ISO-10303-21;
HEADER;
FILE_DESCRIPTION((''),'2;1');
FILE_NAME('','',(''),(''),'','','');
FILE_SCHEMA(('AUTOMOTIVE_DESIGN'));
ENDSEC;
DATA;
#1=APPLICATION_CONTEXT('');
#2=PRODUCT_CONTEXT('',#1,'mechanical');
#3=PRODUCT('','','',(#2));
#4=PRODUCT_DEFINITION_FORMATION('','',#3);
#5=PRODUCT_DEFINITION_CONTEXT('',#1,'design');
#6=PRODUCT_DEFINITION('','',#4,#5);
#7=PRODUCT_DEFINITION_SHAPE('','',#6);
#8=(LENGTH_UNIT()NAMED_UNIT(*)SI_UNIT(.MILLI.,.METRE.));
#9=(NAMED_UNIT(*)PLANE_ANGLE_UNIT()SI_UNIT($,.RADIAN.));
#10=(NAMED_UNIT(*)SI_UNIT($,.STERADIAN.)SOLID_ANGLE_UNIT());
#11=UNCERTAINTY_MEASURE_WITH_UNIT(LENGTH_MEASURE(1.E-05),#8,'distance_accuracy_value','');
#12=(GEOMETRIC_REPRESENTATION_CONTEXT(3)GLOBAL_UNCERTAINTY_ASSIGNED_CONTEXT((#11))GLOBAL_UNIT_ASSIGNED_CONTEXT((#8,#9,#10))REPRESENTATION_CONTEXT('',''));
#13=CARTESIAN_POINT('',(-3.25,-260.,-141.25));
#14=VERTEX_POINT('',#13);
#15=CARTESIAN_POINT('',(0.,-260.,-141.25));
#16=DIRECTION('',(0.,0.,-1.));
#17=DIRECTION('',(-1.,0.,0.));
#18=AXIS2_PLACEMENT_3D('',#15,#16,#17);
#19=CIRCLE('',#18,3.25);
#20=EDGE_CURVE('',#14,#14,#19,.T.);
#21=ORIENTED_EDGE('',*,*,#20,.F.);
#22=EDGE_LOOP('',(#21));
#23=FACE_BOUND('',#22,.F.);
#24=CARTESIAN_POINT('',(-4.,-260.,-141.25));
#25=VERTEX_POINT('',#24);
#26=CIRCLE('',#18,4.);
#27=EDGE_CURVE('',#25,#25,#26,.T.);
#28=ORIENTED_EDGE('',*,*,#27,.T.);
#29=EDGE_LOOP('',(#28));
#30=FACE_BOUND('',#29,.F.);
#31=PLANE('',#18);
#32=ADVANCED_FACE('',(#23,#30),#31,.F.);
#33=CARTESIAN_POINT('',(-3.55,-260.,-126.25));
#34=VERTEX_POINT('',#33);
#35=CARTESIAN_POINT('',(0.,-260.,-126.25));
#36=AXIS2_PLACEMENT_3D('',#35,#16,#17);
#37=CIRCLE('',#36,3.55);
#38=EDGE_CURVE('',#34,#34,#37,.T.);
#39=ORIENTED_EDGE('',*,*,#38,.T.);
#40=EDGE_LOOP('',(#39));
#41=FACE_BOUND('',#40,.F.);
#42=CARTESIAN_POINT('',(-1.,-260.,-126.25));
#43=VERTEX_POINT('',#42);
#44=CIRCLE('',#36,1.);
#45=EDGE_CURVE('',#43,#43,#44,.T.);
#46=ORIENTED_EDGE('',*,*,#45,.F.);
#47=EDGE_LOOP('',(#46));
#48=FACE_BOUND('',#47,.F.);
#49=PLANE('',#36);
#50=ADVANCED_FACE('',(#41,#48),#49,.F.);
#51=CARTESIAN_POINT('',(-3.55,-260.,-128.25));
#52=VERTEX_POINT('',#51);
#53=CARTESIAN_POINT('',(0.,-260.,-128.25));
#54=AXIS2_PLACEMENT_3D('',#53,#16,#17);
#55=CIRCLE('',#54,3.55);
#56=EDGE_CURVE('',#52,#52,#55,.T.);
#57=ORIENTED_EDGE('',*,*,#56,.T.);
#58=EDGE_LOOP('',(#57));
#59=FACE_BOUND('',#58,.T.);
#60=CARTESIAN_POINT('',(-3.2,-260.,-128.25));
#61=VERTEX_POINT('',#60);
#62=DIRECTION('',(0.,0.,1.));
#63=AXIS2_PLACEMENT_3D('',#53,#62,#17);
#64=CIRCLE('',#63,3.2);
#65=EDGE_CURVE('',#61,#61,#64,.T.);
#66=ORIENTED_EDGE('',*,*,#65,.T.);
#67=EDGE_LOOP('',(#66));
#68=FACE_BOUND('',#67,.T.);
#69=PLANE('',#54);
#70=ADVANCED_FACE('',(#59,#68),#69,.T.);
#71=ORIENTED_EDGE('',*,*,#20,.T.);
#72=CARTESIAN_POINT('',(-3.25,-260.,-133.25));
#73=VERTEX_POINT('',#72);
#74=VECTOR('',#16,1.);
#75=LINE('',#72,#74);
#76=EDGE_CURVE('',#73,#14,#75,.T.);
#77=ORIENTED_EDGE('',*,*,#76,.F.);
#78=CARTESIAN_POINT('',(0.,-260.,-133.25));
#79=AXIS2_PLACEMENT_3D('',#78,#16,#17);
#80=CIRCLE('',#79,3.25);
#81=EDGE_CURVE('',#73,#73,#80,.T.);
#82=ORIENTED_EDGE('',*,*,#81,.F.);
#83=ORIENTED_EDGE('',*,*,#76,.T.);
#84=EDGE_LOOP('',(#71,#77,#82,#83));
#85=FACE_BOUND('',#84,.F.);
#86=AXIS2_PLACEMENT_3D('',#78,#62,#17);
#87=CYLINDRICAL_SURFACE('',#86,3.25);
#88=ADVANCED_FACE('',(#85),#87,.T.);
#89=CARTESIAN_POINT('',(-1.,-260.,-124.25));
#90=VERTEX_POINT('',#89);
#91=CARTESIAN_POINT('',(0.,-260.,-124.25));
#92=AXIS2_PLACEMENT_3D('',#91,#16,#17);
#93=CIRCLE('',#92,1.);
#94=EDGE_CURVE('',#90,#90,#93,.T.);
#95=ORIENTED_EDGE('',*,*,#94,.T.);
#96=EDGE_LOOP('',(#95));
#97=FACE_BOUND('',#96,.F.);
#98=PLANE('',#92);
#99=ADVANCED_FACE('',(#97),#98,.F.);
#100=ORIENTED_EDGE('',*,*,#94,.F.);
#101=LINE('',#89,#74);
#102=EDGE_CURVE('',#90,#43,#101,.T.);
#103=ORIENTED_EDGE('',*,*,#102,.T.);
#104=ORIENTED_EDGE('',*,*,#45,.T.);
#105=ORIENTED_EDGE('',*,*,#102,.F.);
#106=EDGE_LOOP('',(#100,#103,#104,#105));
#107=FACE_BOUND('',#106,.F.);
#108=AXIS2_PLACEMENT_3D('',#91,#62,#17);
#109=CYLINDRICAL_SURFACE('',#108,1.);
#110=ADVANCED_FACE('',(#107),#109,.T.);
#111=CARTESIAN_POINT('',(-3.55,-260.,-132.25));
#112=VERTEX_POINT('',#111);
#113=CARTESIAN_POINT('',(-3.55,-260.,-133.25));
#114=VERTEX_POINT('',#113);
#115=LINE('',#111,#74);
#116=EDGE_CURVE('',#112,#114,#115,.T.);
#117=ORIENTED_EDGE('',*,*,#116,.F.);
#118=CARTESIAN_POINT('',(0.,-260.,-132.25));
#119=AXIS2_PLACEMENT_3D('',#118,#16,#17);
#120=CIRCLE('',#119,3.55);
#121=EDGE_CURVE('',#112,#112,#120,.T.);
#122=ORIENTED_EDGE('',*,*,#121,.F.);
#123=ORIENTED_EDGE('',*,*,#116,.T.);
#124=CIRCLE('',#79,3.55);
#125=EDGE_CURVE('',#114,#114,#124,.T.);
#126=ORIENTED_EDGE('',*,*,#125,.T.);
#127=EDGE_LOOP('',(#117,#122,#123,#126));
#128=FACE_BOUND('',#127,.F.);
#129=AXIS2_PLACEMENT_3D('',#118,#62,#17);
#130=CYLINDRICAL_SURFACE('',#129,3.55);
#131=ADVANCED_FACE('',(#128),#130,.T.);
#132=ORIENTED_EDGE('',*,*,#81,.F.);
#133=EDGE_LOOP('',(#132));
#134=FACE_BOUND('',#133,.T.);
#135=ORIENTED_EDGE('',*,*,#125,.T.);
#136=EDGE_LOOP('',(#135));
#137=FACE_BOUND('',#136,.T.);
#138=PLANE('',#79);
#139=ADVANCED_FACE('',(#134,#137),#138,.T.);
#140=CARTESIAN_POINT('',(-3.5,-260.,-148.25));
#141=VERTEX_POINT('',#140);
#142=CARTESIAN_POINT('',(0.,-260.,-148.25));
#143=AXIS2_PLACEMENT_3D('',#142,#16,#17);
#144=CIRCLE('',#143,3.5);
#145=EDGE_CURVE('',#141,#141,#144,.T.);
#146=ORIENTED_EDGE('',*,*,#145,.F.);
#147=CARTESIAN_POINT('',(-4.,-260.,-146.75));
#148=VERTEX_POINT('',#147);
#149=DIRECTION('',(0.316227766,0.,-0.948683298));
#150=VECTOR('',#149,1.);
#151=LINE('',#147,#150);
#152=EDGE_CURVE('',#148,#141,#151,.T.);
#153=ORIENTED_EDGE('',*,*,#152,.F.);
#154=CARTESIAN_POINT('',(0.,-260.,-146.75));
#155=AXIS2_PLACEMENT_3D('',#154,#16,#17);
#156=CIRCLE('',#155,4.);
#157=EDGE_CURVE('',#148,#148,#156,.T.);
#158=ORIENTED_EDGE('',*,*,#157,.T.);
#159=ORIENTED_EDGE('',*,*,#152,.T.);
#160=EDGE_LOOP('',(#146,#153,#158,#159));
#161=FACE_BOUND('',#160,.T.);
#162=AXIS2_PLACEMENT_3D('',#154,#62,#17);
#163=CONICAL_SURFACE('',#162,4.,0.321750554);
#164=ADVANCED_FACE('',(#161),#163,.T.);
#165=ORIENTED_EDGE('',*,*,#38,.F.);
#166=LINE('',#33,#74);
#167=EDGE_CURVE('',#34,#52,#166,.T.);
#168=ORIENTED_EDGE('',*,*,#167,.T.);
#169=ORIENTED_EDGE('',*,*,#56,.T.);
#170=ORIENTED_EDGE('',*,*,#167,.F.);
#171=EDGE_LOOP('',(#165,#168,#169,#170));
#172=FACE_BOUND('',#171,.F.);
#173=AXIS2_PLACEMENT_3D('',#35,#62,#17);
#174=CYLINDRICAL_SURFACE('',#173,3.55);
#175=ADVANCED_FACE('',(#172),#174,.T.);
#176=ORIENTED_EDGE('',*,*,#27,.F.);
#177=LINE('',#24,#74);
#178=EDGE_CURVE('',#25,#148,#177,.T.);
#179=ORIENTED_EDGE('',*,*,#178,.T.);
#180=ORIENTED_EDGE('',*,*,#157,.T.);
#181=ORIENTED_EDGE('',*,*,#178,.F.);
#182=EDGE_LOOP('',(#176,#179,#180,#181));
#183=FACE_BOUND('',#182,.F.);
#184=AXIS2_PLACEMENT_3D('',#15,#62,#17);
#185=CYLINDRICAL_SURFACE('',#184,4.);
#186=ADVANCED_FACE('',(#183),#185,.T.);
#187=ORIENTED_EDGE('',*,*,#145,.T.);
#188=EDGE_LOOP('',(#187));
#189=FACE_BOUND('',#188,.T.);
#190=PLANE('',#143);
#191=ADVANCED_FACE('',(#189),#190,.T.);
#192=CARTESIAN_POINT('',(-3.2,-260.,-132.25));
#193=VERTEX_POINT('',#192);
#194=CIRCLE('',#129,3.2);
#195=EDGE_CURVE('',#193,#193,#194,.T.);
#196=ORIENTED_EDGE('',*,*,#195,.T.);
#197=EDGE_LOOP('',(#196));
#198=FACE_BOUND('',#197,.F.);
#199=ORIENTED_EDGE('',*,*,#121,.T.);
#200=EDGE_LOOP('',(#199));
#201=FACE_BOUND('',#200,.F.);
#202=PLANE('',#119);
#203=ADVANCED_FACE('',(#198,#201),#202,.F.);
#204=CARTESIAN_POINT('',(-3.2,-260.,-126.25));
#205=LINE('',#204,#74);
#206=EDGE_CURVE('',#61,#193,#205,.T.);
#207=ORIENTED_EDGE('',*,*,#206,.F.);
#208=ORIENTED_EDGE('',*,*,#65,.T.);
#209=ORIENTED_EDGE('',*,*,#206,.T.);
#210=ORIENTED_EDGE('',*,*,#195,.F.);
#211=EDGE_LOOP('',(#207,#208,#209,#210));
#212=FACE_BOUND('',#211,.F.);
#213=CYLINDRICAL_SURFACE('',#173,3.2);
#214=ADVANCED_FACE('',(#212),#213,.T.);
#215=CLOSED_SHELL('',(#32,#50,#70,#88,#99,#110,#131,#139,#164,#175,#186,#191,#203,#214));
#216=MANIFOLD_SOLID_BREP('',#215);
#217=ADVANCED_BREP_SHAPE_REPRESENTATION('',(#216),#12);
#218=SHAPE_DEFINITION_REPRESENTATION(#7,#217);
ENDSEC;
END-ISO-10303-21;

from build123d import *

# Parameters (mm, degrees)
CYLINDER189_R             = 3.2
CYLINDER189_DEPTH         = 22
CYLINDER190_R             = 3.55
CYLINDER190_DEPTH         = 2
CYLINDER191_R             = 3.55
CYLINDER191_DEPTH         = 1
CYLINDER192_R             = 3.25
CYLINDER192_DEPTH         = 8
CYLINDER193_R             = 4
CYLINDER193_DEPTH         = 5.5
CYLINDER194_R             = 1
CYLINDER194_DEPTH         = 2
FUSION127_PLACEMENT_ANGLE = 180


with BuildPart() as cylinder189:
    # Cylinder189 → Cylinder189 (new body)
    with BuildSketch(Plane.XY.offset(5)):
        Circle(CYLINDER189_R)
    extrude(amount=CYLINDER189_DEPTH)


with BuildPart() as cylinder190:
    # Cylinder190 → Cylinder190 (new body)
    with BuildSketch(Plane.XY.offset(5)):
        Circle(CYLINDER190_R)
    extrude(amount=CYLINDER190_DEPTH)


with BuildPart() as cylinder191:
    # Cylinder191 → Cylinder191 (new body)
    with BuildSketch(Plane.XY.offset(11)):
        Circle(CYLINDER191_R)
    extrude(amount=CYLINDER191_DEPTH)


with BuildPart() as cylinder192:
    # Cylinder192 → Cylinder192 (new body)
    with BuildSketch(Plane.XY.offset(12)):
        Circle(CYLINDER192_R)
    extrude(amount=CYLINDER192_DEPTH)


with BuildPart() as cylinder193:
    # Cylinder193 → Cylinder193 (new body)
    with BuildSketch(Plane.XY.offset(20)):
        Circle(CYLINDER193_R)
    extrude(amount=CYLINDER193_DEPTH)


with BuildPart() as fusion126:
    # Cone001 → Cone001 (revolve)
    with BuildSketch(Plane(origin=(0, 0, 25.5), x_dir=(1, 0, 0), z_dir=(0, -1, 0))):
        Polygon((0, 0), (4, 0), (3.5, 1.5), (0, 1.5), align=None)
    revolve(axis=Axis((0, 0, 25.5), (0, 0, 1)))

    # Fusion126: union Cylinder189, Cylinder190, Cylinder191, Cylinder192, Cylinder193
    add(cylinder189.part)
    add(cylinder190.part)
    add(cylinder191.part)
    add(cylinder192.part)
    add(cylinder193.part)


with BuildPart() as mic001:
    # Cylinder194 → Cylinder194 (new body)
    with BuildSketch(Plane.XY.offset(3)):
        Circle(CYLINDER194_R)
    extrude(amount=CYLINDER194_DEPTH)

    # Fusion127: union Fusion126
    add(fusion126.part)


with BuildPart() as mic001_1:
    # Fusion127 placement: moved
    add(mic001.part.moved(Location((0, -260, -121.25))).rotate(Axis((0, -260, -121.25), (0, 1, 0)), FUSION127_PLACEMENT_ANGLE))


solid = mic001_1.part
